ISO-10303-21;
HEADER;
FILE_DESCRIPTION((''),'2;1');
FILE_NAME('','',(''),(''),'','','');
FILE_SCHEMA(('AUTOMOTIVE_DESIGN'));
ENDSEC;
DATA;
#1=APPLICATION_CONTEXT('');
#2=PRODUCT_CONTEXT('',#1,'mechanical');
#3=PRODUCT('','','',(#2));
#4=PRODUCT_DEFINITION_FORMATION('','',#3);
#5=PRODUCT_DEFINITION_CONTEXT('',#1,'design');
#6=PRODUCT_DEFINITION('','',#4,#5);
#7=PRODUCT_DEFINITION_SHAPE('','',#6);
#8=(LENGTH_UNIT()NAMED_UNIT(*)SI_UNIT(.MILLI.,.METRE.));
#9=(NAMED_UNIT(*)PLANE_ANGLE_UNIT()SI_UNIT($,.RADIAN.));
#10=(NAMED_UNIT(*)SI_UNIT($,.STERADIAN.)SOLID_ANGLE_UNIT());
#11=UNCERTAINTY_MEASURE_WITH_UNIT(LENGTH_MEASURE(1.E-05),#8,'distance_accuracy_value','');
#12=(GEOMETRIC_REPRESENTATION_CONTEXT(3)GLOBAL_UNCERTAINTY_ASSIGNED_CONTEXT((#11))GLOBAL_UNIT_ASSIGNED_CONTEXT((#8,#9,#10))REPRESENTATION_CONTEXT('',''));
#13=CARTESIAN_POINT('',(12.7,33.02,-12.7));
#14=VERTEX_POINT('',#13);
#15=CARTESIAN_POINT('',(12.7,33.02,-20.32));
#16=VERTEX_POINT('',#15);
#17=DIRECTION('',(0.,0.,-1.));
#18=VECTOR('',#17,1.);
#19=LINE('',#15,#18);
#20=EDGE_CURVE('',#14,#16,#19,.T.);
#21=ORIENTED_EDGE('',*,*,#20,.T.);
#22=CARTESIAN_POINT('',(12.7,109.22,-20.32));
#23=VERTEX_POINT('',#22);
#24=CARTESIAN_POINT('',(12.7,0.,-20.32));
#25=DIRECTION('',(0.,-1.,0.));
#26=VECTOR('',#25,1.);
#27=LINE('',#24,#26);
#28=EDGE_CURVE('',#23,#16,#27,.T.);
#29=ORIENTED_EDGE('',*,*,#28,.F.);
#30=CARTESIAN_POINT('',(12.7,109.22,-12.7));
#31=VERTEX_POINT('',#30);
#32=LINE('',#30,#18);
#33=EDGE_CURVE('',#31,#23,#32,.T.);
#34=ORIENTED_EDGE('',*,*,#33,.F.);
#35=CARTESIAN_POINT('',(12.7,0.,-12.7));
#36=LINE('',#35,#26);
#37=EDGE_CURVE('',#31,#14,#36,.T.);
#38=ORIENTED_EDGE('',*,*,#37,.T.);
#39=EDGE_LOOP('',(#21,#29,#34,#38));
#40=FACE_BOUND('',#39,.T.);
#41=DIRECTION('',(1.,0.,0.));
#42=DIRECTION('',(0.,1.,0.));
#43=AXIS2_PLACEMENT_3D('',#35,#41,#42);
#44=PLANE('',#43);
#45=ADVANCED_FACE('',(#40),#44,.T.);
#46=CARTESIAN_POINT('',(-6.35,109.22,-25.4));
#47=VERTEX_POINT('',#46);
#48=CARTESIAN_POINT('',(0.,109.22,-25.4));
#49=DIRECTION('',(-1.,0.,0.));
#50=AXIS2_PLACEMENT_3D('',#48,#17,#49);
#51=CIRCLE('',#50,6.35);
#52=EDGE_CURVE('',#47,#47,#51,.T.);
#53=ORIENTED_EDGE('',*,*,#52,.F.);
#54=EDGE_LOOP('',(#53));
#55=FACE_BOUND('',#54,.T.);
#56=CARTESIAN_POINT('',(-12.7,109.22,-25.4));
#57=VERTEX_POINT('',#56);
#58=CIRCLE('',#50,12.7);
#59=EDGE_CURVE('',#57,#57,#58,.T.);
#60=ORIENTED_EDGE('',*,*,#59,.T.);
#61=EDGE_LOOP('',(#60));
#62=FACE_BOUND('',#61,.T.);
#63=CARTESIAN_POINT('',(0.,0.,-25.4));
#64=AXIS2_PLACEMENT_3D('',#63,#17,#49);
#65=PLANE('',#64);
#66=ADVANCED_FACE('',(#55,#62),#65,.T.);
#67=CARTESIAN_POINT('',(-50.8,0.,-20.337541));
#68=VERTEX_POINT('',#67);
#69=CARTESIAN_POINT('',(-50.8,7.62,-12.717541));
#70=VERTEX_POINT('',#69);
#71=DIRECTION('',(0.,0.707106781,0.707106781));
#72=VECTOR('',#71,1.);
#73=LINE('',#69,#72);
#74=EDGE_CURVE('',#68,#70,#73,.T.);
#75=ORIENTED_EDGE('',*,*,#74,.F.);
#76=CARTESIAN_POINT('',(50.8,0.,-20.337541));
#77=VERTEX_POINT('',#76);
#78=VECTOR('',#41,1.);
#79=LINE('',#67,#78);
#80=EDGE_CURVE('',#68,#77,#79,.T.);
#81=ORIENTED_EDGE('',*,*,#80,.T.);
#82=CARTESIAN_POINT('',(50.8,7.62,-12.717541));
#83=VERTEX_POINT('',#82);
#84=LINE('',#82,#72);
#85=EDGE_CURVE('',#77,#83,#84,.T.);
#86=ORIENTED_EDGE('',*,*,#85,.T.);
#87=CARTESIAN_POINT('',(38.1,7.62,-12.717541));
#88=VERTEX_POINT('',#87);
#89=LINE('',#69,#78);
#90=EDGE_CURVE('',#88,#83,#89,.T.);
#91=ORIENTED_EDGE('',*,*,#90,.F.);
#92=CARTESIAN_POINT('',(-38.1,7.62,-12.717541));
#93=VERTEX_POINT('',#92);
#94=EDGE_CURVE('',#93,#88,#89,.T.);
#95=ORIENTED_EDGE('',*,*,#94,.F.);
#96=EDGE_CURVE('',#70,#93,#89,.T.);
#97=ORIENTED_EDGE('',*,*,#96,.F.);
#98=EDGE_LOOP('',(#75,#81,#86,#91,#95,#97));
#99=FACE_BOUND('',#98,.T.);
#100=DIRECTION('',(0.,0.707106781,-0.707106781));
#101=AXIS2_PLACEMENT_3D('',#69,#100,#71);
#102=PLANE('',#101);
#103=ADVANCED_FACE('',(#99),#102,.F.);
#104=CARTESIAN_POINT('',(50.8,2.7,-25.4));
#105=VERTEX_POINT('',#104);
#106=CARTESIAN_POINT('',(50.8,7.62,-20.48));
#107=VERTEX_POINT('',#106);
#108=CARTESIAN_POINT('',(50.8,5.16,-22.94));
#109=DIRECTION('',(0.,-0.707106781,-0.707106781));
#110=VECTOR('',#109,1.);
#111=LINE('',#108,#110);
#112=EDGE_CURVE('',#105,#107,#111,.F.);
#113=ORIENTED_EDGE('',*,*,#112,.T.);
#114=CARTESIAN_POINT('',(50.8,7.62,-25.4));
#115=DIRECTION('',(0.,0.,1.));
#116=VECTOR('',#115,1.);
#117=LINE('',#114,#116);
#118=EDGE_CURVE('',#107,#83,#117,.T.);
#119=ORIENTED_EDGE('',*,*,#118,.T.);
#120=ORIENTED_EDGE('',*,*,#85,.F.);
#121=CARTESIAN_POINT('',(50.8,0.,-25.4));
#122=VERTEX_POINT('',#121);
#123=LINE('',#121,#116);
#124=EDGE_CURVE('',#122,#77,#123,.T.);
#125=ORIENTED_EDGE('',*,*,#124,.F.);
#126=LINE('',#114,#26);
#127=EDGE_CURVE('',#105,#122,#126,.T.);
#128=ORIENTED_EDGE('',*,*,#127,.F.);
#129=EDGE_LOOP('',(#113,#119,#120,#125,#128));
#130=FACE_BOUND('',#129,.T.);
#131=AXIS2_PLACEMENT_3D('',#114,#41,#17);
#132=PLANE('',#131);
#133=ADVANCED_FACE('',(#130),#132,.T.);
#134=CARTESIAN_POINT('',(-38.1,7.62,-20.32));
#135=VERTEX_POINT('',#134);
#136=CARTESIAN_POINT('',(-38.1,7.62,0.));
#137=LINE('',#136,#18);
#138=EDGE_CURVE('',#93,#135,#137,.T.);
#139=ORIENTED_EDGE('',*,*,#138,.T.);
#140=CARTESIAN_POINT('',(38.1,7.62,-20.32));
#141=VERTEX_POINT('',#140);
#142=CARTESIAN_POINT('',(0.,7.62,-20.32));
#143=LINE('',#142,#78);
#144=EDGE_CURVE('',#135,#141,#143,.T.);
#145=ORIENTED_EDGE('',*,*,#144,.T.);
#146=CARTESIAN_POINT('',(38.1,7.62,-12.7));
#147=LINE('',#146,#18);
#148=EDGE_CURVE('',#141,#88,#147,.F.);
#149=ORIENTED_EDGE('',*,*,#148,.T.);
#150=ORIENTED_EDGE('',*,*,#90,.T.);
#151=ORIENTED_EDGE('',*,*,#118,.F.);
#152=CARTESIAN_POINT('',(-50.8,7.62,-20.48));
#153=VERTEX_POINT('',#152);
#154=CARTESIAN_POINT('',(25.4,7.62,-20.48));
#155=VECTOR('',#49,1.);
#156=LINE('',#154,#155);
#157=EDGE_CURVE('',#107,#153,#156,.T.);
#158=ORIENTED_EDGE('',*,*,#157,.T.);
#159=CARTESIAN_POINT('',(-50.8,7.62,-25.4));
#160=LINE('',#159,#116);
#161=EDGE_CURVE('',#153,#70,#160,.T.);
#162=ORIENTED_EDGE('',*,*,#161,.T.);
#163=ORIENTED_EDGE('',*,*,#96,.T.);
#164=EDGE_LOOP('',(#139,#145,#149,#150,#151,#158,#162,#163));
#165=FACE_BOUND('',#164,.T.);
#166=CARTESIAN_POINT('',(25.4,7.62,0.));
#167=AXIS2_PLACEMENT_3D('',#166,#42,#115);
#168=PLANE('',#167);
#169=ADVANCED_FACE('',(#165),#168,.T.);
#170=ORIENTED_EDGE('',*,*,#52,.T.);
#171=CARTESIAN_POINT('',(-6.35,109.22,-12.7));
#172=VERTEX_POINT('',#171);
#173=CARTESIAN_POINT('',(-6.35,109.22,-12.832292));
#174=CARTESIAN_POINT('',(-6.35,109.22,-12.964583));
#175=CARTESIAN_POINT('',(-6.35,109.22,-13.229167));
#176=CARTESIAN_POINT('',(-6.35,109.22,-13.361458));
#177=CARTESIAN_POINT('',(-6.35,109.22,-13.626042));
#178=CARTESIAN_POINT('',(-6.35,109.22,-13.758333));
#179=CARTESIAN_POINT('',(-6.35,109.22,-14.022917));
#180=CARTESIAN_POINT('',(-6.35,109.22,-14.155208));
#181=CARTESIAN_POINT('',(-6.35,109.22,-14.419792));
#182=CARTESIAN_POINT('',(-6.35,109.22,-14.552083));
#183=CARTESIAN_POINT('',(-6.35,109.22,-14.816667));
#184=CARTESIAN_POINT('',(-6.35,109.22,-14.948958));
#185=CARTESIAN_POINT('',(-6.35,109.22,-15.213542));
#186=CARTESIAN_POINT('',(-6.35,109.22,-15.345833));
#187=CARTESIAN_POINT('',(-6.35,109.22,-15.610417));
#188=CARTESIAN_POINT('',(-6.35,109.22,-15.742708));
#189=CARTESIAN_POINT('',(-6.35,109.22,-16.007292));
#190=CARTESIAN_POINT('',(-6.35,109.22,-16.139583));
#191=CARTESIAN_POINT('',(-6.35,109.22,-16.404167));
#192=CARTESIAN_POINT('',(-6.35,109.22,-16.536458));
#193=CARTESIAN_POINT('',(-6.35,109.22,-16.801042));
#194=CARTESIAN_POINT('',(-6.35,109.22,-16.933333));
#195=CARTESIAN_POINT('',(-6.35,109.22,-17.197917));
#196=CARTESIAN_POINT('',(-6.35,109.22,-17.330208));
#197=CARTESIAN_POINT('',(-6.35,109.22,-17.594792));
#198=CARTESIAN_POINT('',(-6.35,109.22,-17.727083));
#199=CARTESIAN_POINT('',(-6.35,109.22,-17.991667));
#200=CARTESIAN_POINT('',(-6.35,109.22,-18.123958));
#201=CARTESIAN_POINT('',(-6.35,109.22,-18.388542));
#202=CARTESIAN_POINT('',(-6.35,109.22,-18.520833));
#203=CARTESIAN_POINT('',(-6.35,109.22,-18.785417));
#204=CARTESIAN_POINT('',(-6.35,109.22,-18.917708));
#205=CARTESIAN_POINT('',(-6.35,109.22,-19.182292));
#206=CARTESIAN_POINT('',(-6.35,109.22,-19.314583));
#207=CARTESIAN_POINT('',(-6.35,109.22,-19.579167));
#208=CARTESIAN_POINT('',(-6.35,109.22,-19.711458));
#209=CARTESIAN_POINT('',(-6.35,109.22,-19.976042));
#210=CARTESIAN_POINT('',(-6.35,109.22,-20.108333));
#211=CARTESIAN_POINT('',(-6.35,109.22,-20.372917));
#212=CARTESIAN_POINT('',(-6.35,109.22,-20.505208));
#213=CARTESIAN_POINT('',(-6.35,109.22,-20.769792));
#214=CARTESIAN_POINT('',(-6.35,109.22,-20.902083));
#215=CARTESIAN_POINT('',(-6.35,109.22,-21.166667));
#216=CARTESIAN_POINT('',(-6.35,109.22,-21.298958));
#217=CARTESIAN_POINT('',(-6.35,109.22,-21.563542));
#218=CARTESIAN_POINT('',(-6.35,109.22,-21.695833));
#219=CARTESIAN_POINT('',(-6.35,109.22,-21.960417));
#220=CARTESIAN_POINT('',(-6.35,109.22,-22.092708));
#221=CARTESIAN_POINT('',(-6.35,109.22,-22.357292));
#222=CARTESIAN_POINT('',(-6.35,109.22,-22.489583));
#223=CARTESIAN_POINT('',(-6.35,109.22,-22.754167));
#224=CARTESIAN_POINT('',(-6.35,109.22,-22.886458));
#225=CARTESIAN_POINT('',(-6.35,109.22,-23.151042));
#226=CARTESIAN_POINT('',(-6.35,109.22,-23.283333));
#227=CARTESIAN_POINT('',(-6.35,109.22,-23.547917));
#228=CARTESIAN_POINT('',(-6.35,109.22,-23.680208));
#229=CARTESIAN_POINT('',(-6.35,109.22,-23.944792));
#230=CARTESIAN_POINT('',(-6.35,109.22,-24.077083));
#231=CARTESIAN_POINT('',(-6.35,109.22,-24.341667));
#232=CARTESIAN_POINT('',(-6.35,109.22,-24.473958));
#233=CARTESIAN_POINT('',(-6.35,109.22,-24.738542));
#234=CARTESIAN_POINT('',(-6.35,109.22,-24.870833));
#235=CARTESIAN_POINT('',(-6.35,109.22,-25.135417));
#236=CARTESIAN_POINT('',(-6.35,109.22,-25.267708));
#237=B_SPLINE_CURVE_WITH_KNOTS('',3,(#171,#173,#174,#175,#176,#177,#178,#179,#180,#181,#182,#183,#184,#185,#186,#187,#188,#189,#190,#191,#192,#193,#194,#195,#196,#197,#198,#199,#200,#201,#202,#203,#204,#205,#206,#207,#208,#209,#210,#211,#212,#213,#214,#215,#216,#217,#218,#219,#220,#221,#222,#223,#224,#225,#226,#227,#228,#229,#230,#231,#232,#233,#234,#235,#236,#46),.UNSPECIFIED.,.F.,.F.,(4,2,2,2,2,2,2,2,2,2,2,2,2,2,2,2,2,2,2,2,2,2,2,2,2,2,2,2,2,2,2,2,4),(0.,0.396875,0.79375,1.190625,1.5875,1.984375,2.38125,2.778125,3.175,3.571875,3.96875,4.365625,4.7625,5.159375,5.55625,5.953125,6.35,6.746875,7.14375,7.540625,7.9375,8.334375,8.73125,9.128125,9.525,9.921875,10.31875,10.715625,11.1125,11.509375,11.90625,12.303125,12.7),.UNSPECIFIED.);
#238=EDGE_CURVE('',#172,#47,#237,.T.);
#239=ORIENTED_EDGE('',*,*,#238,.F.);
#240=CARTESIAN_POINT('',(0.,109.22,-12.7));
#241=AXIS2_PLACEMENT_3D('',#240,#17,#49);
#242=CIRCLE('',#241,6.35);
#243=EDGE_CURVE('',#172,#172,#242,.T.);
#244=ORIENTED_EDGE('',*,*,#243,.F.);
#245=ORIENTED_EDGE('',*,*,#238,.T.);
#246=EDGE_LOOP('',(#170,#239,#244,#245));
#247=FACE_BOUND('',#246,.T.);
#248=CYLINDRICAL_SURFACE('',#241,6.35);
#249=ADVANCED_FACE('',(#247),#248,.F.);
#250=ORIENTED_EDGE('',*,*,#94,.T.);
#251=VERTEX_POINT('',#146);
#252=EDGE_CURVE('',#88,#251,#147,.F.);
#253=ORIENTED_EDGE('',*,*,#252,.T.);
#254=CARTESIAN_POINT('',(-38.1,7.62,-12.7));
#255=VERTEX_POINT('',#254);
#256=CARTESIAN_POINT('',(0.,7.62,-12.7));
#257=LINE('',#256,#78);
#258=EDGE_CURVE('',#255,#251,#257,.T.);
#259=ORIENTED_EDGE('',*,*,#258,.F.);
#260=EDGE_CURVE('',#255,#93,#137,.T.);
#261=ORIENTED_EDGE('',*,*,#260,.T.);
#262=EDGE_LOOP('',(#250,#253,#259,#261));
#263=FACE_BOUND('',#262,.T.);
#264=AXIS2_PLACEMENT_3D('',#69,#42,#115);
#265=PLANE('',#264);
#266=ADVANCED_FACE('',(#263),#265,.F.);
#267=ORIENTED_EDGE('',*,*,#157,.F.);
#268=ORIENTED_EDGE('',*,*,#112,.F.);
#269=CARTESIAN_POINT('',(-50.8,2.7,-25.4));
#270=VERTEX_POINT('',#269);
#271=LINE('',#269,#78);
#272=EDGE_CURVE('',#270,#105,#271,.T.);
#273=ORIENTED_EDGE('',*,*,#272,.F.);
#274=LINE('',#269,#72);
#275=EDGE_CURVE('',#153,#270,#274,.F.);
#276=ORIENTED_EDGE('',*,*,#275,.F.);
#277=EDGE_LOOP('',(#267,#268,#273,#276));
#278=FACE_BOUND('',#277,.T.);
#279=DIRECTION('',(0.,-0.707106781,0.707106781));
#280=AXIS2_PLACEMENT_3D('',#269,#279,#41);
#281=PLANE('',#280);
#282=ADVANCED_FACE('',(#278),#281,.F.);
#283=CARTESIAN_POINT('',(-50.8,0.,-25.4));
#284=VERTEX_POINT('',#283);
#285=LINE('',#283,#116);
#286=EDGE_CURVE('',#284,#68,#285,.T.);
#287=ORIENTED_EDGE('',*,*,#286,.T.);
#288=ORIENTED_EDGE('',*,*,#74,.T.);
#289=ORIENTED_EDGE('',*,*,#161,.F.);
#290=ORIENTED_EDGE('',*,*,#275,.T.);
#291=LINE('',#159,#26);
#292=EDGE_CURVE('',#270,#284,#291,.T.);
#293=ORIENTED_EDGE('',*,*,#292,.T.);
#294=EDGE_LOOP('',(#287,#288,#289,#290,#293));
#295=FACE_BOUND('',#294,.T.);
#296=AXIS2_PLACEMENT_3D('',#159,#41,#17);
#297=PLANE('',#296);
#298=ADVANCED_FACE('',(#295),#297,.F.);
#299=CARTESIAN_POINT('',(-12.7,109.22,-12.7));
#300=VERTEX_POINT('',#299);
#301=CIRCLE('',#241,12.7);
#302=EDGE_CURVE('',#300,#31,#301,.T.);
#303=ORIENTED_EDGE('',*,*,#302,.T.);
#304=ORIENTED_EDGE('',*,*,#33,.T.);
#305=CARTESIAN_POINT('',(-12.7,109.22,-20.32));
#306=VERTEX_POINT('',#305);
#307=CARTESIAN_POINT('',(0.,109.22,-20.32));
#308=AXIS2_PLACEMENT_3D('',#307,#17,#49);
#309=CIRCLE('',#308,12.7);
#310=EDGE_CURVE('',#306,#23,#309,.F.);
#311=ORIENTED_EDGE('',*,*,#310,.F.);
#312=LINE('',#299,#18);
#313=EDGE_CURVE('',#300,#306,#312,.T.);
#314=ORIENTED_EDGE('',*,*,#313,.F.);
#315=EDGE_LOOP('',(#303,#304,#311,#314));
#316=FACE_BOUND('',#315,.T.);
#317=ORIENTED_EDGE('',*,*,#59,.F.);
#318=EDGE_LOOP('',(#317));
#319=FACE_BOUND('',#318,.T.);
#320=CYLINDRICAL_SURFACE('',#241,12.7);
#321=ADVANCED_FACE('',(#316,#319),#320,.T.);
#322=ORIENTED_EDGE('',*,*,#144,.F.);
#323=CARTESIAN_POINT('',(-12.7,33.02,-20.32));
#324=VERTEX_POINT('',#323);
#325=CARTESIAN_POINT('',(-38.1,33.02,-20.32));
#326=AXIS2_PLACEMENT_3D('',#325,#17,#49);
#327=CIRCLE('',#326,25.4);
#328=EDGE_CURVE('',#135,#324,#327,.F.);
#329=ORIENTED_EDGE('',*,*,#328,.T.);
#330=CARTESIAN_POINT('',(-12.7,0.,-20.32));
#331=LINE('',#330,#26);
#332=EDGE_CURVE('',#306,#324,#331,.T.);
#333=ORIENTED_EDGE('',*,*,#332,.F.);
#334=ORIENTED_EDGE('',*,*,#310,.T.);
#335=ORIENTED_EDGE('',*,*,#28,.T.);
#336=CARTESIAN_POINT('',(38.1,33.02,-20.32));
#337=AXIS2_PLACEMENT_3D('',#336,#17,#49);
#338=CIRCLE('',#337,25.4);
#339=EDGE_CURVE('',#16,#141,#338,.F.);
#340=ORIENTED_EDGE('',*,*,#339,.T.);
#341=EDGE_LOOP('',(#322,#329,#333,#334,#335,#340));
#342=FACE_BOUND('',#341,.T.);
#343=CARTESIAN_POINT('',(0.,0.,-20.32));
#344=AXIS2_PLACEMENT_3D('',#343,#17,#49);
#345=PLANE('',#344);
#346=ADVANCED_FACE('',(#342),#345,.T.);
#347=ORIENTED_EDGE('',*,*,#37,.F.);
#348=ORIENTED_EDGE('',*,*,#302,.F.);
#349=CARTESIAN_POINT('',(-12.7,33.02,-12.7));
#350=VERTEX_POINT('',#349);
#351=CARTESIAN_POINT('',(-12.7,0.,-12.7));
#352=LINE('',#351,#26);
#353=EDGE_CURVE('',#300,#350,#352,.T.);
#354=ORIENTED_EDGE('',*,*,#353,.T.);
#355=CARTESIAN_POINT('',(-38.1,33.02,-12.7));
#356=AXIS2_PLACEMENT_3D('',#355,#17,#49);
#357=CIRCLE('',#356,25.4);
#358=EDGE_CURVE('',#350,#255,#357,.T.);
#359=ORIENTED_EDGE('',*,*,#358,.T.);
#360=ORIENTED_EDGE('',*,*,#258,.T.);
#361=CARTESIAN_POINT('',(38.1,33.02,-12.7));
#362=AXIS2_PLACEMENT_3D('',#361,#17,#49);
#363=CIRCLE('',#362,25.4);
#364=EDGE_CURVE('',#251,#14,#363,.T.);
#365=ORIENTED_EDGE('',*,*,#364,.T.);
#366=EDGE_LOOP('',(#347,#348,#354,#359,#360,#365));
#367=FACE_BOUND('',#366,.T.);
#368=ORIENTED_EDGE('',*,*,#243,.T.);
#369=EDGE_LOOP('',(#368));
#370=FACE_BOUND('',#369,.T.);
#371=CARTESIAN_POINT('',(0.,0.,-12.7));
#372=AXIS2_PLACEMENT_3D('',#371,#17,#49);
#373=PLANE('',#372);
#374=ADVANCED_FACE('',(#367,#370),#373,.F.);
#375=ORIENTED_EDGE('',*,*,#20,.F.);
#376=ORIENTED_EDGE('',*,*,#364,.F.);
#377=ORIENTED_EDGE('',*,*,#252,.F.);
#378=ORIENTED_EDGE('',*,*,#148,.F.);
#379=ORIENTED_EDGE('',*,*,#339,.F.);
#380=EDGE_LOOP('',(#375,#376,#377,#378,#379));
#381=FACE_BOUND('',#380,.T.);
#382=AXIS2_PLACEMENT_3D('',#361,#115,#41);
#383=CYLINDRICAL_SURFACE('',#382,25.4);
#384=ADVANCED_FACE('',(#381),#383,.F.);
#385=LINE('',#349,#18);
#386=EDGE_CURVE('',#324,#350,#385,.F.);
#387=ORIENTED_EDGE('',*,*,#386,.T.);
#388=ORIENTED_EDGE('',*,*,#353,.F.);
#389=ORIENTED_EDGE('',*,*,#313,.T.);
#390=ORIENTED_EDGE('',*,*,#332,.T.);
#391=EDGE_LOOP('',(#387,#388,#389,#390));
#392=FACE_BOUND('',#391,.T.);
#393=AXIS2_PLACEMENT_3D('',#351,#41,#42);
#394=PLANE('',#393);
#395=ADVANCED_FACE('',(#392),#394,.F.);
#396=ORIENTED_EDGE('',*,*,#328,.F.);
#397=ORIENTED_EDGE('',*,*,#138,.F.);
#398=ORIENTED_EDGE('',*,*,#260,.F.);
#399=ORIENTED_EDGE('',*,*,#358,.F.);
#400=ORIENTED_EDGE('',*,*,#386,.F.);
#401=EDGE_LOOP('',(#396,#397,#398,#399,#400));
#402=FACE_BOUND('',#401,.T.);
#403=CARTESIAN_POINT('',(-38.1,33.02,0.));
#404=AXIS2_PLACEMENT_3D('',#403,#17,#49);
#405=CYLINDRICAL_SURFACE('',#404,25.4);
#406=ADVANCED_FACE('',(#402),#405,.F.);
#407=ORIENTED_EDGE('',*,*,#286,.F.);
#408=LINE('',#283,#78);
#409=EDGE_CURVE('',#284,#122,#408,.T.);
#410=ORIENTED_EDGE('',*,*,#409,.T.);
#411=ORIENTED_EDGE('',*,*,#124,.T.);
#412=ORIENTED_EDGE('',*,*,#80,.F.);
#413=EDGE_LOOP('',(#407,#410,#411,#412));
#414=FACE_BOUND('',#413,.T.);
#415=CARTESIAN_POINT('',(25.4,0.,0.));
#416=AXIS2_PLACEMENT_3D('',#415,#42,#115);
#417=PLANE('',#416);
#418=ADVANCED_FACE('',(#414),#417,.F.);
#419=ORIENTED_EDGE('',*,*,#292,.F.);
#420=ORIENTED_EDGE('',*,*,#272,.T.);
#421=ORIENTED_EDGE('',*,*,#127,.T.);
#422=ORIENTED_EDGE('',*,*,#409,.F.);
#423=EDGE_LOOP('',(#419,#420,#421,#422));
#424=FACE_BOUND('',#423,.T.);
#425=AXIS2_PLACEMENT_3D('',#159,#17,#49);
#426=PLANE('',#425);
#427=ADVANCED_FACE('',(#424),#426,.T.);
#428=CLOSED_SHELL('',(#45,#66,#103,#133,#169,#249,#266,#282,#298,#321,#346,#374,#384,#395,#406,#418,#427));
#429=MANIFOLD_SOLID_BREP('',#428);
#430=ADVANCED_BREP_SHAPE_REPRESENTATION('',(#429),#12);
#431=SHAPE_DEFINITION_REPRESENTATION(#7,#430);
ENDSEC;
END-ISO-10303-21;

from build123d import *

# Parameters (mm, degrees)
SKETCH1_R           = 6.35
BOSS_EXTRUDE1_DEPTH = 7.62
BOSS_EXTRUDE2_START = -5.08
SKETCH4_R           = 6.35
BOSS_EXTRUDE2_DEPTH = 7.62
BOSS_EXTRUDE3_START = 0
SKETCH4_3_R         = 6.35
BOSS_EXTRUDE3_DEPTH = 5.08
FILLET1_R           = 25.4
CHAMFER1_SIZE       = 4.92
CUT_EXTRUDE1_DEPTH  = 161.724006919


with BuildPart() as part:
    # Sketch1 → Boss-Extrude1 (new body)
    with BuildSketch(Plane(origin=(0, 0, 0), x_dir=(1, 0, 0), z_dir=(0, 1, 0))):
        with BuildLine():
            Line((-50.8, 25.4), (50.8, 25.4))
            Line((50.8, 25.4), (50.8, 0))
            ThreePointArc((50.8, 0), (43.360512242, -17.960512242), (25.4, -25.4))
            Line((25.4, -25.4), (-25.4, -25.4))
            ThreePointArc((-25.4, -25.4), (-43.360512242, -17.960512242), (-50.8, 0))
            Line((-50.8, 0), (-50.8, 25.4))
        make_face()
        with Locations((-25.4, 0)):
            Circle(SKETCH1_R, mode=Mode.SUBTRACT)
        with Locations((25.4, 0)):
            Circle(SKETCH1_R, mode=Mode.SUBTRACT)
    extrude(amount=BOSS_EXTRUDE1_DEPTH)

    # Sketch4 → Boss-Extrude2 (add)
    with BuildSketch(Plane(origin=(0, 0, -25.4), x_dir=(-1, 0, 0), z_dir=(0, 0, -1)).offset(BOSS_EXTRUDE2_START)):
        with BuildLine():
            ThreePointArc((12.7, 109.22), (0, 121.92), (-12.7, 109.22))
            Line((-12.7, 109.22), (-12.7, 7.62))
            Line((-12.7, 7.62), (12.7, 7.62))
            Line((12.7, 7.62), (12.7, 109.22))
        make_face()
        with Locations((0, 109.22)):
            Circle(SKETCH4_R, mode=Mode.SUBTRACT)
    extrude(amount=-BOSS_EXTRUDE2_DEPTH)

    # Sketch4<3> → Boss-Extrude3 (add)
    with BuildSketch(Plane(origin=(0, 0, -25.4), x_dir=(-1, 0, 0), z_dir=(0, 0, -1)).offset(BOSS_EXTRUDE3_START)):
        with BuildLine():
            ThreePointArc((-12.7, 109.22), (0, 96.52), (12.7, 109.22))
            ThreePointArc((12.7, 109.22), (0, 121.92), (-12.7, 109.22))
        make_face()
        with Locations((0, 109.22)):
            Circle(SKETCH4_3_R, mode=Mode.SUBTRACT)
    extrude(amount=-BOSS_EXTRUDE3_DEPTH)

    # Fillet1
    fillet1_edges = [part.edges().sort_by_distance(p)[0] for p in [
        (-12.7, 7.62, -16.51),
        (12.7, 7.62, -16.51),
    ]]
    fillet(fillet1_edges, radius=FILLET1_R)

    # Chamfer1
    chamfer1_edges = [part.edges().sort_by_distance(p)[0] for p in [
        (0, 7.62, -25.4),
    ]]
    chamfer(chamfer1_edges, length=CHAMFER1_SIZE)

    # Sketch8 → Cut-Extrude1 (cut, through all)
    with BuildSketch(Plane(origin=(50.8, 0, 0), x_dir=(0, 0, -1), z_dir=(1, 0, 0))):
        Polygon((12.717540877, 7.62), (20.337540877, 0), (-26.584534345, 0), (-26.584534345, 7.62), align=None)
    extrude(amount=-CUT_EXTRUDE1_DEPTH, mode=Mode.SUBTRACT)


solid = part.part
